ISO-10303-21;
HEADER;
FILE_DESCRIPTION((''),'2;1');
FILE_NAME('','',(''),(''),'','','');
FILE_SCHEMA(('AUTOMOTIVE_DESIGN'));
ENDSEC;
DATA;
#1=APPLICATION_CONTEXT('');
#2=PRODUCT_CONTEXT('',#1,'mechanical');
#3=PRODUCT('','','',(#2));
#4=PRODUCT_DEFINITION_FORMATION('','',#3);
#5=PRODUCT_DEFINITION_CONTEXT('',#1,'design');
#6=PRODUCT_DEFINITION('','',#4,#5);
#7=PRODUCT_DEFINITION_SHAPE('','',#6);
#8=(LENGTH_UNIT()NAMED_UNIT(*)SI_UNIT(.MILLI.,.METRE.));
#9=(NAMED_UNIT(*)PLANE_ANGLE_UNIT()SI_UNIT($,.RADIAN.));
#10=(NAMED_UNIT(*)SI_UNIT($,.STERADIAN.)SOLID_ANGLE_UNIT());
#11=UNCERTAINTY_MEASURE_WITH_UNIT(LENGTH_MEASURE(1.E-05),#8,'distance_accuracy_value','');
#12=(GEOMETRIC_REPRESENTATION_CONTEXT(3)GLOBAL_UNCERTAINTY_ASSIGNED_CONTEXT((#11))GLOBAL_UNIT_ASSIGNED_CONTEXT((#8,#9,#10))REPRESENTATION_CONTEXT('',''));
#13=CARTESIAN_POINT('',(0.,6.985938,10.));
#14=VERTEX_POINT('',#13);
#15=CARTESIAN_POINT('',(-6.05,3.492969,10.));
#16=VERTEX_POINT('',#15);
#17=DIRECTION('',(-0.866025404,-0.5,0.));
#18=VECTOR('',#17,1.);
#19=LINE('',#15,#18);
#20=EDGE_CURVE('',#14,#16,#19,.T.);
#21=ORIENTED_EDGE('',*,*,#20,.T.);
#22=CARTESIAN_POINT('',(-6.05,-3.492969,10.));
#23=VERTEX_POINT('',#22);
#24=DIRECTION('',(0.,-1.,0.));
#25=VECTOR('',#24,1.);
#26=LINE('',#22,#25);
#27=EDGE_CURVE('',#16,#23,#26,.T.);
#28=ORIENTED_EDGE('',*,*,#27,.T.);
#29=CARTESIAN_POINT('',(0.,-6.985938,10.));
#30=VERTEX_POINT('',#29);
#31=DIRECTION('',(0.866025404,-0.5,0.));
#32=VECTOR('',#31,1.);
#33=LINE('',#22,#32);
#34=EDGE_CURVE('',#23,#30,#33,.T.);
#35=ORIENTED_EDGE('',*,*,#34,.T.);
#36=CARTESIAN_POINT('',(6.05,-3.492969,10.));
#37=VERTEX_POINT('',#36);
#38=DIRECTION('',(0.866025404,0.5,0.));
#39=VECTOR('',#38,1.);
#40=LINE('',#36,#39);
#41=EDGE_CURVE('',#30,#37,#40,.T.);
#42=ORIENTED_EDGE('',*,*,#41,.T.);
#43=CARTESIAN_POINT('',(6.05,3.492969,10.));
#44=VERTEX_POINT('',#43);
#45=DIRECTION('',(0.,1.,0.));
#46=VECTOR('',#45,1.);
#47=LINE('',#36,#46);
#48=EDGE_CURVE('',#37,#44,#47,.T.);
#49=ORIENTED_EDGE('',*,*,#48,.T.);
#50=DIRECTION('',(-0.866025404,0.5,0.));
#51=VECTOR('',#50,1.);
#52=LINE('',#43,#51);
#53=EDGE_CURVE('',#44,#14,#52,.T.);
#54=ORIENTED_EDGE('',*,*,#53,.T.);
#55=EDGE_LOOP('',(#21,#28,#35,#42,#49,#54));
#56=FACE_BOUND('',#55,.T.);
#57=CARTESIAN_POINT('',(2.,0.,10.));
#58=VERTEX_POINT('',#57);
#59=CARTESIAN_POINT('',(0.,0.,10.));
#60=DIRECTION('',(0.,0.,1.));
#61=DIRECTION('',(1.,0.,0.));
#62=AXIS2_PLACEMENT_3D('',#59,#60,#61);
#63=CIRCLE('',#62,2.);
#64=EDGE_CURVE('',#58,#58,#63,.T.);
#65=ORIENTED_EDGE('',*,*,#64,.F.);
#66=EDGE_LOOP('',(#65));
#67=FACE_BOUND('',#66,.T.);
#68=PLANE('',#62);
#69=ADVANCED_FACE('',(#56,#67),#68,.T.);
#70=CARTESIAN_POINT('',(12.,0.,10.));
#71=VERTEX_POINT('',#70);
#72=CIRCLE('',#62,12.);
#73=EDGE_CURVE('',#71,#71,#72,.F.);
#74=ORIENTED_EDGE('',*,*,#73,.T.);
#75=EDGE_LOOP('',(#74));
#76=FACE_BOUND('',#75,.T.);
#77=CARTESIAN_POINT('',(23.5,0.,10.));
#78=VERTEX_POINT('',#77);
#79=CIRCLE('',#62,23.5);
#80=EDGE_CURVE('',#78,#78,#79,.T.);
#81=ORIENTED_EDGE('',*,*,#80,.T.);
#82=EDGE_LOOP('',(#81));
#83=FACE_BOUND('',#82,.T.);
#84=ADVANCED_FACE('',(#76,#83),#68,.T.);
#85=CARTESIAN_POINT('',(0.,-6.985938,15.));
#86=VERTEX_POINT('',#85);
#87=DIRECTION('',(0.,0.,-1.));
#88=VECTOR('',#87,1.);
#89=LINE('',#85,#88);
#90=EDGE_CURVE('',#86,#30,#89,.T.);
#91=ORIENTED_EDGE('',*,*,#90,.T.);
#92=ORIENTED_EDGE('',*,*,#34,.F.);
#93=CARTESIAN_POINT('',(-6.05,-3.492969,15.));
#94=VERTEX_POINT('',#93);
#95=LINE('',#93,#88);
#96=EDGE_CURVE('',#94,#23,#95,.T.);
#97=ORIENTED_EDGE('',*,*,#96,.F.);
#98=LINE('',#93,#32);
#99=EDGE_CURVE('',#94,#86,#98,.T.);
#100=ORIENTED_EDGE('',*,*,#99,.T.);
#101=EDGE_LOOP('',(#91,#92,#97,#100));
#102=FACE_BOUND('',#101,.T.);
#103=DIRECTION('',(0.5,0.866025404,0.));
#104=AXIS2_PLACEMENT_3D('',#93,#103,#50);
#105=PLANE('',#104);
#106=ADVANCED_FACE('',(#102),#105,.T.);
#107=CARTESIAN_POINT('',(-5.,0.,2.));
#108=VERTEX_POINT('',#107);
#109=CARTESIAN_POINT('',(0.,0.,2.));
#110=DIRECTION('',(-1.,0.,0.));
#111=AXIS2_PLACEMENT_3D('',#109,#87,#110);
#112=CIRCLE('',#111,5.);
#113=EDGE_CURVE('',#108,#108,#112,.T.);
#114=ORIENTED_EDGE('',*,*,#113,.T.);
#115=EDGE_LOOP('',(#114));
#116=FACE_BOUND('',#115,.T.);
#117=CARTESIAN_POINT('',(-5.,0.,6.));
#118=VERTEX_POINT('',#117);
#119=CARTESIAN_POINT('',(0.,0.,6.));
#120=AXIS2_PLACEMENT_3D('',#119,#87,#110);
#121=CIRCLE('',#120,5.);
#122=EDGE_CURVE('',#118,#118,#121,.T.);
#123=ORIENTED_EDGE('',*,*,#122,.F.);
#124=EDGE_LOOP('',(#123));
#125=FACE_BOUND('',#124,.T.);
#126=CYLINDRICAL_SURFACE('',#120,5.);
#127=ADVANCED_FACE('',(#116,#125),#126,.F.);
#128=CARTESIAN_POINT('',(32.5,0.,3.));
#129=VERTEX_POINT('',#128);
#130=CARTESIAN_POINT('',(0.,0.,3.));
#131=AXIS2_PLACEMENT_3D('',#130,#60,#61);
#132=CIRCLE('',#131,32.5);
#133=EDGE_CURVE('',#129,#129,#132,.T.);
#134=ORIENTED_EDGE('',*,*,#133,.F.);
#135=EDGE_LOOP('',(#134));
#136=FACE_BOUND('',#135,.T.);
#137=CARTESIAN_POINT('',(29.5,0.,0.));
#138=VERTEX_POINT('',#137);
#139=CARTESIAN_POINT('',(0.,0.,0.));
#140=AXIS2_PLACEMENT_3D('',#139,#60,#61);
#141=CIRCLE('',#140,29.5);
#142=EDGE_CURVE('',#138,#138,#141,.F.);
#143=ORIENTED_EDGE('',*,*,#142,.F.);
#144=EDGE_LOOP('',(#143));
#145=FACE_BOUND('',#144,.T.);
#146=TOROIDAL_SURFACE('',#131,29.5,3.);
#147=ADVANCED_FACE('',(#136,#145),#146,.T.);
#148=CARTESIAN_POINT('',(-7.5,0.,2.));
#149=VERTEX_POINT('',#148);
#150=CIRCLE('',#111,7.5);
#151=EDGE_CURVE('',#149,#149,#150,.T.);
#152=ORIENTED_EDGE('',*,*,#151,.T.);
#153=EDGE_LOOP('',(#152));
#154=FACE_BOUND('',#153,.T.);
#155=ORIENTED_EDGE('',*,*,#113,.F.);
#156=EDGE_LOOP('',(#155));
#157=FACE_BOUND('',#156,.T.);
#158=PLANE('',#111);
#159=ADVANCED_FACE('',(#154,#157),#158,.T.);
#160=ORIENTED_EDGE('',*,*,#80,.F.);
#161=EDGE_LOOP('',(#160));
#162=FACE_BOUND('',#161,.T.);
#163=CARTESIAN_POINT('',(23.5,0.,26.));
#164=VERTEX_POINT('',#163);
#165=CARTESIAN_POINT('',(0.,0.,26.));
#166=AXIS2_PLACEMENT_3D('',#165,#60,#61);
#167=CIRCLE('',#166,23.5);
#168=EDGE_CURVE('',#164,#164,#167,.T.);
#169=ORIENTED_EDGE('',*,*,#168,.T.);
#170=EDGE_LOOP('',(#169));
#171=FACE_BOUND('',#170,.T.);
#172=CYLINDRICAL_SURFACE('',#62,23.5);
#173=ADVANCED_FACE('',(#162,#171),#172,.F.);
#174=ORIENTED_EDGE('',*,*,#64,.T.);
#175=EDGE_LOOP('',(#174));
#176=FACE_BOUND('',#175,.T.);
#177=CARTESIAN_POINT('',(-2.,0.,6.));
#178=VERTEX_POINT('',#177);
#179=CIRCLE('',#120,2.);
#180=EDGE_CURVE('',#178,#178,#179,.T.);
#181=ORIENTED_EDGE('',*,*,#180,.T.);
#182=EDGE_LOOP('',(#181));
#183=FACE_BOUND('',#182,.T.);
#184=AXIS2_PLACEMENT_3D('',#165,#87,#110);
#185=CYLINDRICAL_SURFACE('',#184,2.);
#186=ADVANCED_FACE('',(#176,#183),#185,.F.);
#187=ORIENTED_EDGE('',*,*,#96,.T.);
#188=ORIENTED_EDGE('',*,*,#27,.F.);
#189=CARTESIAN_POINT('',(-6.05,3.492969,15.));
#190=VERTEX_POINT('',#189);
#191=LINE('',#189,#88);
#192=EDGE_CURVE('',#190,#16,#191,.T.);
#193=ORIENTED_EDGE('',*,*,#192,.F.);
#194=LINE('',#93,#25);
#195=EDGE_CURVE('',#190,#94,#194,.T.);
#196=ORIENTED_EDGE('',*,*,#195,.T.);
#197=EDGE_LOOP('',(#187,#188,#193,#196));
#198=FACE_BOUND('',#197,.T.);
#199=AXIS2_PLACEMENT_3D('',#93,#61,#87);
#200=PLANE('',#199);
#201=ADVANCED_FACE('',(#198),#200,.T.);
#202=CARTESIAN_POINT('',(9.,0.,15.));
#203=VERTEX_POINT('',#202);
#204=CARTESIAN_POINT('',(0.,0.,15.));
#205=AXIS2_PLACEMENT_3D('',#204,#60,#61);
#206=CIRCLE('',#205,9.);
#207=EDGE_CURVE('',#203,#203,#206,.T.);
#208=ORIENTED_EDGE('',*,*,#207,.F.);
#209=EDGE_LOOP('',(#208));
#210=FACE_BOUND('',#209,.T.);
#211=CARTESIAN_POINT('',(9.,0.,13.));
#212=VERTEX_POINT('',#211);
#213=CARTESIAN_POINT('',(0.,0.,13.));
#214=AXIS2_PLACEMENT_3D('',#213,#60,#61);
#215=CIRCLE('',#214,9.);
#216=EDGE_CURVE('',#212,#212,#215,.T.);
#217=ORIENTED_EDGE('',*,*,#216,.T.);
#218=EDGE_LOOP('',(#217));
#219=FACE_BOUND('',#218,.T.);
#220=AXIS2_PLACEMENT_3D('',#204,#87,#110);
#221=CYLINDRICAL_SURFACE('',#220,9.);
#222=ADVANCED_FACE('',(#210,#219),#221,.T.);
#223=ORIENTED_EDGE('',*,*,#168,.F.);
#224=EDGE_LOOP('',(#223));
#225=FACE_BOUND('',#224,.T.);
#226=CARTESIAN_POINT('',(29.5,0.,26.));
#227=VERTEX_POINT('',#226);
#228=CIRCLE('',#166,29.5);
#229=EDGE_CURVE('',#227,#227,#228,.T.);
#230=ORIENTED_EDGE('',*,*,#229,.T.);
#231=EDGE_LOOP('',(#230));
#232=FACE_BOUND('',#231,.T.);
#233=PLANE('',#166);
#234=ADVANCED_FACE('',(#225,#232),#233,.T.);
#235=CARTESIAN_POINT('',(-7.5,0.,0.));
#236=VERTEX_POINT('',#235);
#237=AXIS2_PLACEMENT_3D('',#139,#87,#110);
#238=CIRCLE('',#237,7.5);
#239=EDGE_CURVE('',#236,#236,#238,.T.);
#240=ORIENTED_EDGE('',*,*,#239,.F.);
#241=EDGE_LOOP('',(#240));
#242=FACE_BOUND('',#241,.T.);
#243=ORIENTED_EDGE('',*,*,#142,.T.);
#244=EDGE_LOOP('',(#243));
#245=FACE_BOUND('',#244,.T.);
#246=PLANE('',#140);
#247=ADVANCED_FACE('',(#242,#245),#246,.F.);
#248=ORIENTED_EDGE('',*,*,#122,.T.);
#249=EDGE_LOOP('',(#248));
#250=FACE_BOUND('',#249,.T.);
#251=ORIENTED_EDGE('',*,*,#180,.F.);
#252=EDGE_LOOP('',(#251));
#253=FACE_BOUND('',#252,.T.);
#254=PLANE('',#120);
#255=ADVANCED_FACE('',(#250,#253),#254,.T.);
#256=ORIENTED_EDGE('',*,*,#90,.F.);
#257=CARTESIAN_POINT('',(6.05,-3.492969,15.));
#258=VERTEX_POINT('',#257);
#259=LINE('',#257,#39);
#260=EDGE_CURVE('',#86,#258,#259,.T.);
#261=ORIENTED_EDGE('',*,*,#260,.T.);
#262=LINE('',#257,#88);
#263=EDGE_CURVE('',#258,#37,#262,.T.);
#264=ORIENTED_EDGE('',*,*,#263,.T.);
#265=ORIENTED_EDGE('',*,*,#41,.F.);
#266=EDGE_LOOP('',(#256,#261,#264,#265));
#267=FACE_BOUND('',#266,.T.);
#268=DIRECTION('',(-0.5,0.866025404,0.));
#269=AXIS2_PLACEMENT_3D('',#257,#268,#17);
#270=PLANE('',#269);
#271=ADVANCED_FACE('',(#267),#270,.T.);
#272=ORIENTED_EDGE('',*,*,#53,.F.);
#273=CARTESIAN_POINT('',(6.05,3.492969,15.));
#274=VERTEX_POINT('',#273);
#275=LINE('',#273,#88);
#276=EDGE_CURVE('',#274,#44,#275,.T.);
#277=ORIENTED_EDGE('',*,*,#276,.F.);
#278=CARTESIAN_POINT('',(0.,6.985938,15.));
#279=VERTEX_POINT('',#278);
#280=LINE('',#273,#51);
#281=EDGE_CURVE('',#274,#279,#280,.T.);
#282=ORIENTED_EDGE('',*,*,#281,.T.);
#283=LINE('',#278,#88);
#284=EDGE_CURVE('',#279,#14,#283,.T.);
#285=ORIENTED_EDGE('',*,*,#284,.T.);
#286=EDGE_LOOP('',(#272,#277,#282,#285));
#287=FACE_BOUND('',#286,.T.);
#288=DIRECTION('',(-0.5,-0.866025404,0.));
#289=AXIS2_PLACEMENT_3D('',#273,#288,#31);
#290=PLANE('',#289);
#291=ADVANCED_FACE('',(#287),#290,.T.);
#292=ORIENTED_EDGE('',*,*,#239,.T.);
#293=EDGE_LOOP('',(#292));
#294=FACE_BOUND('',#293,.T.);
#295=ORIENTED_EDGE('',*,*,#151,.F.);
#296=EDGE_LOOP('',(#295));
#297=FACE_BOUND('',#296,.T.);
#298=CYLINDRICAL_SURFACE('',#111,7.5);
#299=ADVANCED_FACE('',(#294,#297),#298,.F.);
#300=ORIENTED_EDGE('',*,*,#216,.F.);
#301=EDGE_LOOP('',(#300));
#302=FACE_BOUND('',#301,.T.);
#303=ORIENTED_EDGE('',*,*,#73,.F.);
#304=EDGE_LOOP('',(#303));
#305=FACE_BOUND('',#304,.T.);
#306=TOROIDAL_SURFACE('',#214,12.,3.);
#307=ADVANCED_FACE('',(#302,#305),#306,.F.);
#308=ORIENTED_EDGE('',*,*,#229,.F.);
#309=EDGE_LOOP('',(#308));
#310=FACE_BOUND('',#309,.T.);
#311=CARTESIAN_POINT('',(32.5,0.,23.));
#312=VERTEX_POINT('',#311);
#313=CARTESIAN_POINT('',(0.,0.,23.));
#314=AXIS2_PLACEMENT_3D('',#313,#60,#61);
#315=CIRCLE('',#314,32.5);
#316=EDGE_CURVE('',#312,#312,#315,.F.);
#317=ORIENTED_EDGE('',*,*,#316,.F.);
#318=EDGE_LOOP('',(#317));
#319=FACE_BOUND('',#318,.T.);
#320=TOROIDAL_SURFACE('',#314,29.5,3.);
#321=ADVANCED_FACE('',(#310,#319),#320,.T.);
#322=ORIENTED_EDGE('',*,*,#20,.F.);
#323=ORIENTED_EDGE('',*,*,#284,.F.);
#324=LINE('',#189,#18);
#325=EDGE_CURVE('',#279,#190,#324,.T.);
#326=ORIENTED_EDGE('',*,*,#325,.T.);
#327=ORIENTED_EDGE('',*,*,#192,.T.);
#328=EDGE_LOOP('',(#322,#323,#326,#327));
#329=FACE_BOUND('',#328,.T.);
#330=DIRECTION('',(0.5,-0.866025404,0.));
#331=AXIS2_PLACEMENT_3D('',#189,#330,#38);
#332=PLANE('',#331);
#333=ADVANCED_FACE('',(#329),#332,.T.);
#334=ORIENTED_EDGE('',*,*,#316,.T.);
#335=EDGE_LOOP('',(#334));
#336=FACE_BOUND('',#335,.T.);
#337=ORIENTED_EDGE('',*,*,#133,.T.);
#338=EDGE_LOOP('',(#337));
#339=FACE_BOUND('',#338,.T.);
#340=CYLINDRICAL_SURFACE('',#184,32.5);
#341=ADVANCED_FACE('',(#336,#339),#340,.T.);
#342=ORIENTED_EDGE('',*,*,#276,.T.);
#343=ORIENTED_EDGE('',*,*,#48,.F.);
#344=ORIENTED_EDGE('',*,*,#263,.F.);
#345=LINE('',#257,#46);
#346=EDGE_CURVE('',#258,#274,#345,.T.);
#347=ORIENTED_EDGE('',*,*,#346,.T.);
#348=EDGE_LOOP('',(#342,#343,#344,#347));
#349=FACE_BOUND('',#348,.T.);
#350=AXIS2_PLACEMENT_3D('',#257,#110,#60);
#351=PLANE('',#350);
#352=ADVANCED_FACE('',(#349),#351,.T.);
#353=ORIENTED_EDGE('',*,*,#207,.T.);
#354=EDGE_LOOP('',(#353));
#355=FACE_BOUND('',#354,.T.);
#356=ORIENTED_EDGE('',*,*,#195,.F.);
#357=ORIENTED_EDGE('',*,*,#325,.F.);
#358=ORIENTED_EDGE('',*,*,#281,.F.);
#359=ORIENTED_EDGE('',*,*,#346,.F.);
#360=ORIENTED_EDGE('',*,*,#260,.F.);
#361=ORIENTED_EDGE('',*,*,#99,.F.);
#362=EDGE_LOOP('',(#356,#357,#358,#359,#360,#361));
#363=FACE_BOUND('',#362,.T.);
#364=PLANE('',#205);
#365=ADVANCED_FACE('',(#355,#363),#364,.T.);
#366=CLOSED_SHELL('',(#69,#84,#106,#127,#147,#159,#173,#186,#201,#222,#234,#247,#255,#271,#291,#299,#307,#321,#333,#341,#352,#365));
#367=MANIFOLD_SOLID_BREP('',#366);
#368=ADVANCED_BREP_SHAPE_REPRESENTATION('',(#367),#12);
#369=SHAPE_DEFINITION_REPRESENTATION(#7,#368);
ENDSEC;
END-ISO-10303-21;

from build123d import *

# Parameters (mm, degrees)
SKETCH1_R           = 32.5
SKETCH1_R_2         = 2
BOSS_EXTRUDE1_DEPTH = 26
FILLET1_R           = 3
SKETCH2_R           = 23.5
CUT_EXTRUDE1_DEPTH  = 16
SKETCH3_R           = 9
BOSS_EXTRUDE2_DEPTH = 5
SKETCH4_R           = 7.5
CUT_EXTRUDE2_DEPTH  = 2
SKETCH5_R           = 5
CUT_EXTRUDE3_DEPTH  = 4
FILLET2_R           = 3


with BuildPart() as part:
    # Sketch1 → Boss-Extrude1 (new body)
    with BuildSketch(Plane.XY):
        Circle(SKETCH1_R)
        Circle(SKETCH1_R_2, mode=Mode.SUBTRACT)
    extrude(amount=BOSS_EXTRUDE1_DEPTH)

    # Fillet1
    fillet1_edges = [part.edges().sort_by_distance(p)[0] for p in [
        (-32.5, 0, 0),
        (-32.5, 0, 26),
    ]]
    fillet(fillet1_edges, radius=FILLET1_R)

    # Sketch2 → Cut-Extrude1 (cut)
    with BuildSketch(Plane.XY.offset(26)):
        Circle(SKETCH2_R)
    extrude(amount=-CUT_EXTRUDE1_DEPTH, mode=Mode.SUBTRACT)

    # Sketch3 → Boss-Extrude2 (add)
    with BuildSketch(Plane.XY.offset(10)):
        Circle(SKETCH3_R)
        Polygon((-6.05, -3.492969129), (-6.05, 3.492969129), (0, 6.985938257), (6.05, 3.492969129), (6.05, -3.492969129), (0, -6.985938257), align=None, mode=Mode.SUBTRACT)
    extrude(amount=BOSS_EXTRUDE2_DEPTH)

    # Sketch4 → Cut-Extrude2 (cut)
    with BuildSketch(Plane(origin=(0, 0, 0), x_dir=(-1, 0, 0), z_dir=(0, 0, -1))):
        Circle(SKETCH4_R)
    extrude(amount=-CUT_EXTRUDE2_DEPTH, mode=Mode.SUBTRACT)

    # Sketch5 → Cut-Extrude3 (cut)
    with BuildSketch(Plane(origin=(0, 0, 2), x_dir=(-1, 0, 0), z_dir=(0, 0, -1))):
        Circle(SKETCH5_R)
    extrude(amount=-CUT_EXTRUDE3_DEPTH, mode=Mode.SUBTRACT)

    # Fillet2
    fillet2_edges = [part.edges().sort_by_distance(p)[0] for p in [
        (-9, 0, 10),
    ]]
    fillet(fillet2_edges, radius=FILLET2_R)


solid = part.part
